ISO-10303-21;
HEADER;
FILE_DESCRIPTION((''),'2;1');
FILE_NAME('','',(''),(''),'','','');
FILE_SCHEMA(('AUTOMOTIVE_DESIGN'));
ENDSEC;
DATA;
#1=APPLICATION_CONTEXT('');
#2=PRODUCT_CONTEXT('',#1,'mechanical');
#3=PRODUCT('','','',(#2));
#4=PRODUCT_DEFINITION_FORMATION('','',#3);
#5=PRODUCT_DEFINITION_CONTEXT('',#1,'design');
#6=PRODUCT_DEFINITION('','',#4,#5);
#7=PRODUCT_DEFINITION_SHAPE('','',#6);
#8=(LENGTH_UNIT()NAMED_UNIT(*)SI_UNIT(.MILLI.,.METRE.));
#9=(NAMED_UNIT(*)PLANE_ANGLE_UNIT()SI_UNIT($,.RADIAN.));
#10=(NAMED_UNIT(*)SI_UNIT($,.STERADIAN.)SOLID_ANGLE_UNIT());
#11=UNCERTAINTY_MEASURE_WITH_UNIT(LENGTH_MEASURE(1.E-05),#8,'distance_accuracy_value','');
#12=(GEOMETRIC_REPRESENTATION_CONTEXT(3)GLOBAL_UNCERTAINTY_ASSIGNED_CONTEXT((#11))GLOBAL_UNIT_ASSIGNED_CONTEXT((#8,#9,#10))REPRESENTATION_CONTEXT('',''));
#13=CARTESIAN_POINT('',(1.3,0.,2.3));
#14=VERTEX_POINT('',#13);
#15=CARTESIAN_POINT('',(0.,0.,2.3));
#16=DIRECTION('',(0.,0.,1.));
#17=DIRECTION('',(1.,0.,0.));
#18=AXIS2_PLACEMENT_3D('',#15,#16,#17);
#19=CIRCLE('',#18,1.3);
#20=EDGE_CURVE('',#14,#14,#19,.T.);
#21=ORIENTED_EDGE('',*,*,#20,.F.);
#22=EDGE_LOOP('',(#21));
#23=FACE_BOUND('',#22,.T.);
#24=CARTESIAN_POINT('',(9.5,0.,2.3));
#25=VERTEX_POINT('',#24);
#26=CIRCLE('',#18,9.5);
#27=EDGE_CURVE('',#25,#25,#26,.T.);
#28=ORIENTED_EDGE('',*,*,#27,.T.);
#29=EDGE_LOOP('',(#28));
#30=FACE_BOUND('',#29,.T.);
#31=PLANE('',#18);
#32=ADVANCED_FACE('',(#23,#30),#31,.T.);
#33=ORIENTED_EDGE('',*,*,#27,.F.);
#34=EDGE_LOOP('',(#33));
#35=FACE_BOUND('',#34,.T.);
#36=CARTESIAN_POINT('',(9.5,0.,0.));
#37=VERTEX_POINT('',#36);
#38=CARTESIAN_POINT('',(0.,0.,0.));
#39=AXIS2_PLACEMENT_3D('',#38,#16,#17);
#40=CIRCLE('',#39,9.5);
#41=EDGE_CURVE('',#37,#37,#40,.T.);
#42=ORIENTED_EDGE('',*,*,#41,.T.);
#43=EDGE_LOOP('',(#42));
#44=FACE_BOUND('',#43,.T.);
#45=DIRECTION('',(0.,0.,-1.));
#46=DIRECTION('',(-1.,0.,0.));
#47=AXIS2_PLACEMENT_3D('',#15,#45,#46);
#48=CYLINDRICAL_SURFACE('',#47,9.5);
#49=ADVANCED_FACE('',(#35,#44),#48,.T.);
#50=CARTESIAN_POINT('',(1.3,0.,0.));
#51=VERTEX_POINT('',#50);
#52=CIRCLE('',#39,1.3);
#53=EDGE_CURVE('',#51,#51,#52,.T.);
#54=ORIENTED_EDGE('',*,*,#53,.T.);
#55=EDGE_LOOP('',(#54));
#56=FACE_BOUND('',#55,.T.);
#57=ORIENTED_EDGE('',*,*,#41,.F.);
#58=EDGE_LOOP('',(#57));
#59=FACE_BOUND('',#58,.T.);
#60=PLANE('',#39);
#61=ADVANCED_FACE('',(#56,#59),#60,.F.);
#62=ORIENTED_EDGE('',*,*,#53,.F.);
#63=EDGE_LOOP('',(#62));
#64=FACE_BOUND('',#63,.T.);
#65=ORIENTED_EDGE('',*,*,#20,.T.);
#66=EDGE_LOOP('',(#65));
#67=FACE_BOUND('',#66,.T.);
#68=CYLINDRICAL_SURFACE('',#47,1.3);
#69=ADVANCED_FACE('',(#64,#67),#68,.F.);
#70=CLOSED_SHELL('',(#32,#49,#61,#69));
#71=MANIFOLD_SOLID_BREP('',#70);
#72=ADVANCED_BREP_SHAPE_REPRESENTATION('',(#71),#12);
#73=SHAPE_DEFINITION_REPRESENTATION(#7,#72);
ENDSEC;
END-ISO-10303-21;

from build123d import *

# Parameters (mm, degrees)
SKICA1_R                = 9.5
SKICA1_R_2              = 1.3
P_IDAT_VYSUNUT_M1_DEPTH = 2.3


with BuildPart() as part:
    # Skica1 → Přidat vysunutím1 (new body)
    with BuildSketch(Plane.XY):
        Circle(SKICA1_R)
        Circle(SKICA1_R_2, mode=Mode.SUBTRACT)
    extrude(amount=P_IDAT_VYSUNUT_M1_DEPTH)


solid = part.part
